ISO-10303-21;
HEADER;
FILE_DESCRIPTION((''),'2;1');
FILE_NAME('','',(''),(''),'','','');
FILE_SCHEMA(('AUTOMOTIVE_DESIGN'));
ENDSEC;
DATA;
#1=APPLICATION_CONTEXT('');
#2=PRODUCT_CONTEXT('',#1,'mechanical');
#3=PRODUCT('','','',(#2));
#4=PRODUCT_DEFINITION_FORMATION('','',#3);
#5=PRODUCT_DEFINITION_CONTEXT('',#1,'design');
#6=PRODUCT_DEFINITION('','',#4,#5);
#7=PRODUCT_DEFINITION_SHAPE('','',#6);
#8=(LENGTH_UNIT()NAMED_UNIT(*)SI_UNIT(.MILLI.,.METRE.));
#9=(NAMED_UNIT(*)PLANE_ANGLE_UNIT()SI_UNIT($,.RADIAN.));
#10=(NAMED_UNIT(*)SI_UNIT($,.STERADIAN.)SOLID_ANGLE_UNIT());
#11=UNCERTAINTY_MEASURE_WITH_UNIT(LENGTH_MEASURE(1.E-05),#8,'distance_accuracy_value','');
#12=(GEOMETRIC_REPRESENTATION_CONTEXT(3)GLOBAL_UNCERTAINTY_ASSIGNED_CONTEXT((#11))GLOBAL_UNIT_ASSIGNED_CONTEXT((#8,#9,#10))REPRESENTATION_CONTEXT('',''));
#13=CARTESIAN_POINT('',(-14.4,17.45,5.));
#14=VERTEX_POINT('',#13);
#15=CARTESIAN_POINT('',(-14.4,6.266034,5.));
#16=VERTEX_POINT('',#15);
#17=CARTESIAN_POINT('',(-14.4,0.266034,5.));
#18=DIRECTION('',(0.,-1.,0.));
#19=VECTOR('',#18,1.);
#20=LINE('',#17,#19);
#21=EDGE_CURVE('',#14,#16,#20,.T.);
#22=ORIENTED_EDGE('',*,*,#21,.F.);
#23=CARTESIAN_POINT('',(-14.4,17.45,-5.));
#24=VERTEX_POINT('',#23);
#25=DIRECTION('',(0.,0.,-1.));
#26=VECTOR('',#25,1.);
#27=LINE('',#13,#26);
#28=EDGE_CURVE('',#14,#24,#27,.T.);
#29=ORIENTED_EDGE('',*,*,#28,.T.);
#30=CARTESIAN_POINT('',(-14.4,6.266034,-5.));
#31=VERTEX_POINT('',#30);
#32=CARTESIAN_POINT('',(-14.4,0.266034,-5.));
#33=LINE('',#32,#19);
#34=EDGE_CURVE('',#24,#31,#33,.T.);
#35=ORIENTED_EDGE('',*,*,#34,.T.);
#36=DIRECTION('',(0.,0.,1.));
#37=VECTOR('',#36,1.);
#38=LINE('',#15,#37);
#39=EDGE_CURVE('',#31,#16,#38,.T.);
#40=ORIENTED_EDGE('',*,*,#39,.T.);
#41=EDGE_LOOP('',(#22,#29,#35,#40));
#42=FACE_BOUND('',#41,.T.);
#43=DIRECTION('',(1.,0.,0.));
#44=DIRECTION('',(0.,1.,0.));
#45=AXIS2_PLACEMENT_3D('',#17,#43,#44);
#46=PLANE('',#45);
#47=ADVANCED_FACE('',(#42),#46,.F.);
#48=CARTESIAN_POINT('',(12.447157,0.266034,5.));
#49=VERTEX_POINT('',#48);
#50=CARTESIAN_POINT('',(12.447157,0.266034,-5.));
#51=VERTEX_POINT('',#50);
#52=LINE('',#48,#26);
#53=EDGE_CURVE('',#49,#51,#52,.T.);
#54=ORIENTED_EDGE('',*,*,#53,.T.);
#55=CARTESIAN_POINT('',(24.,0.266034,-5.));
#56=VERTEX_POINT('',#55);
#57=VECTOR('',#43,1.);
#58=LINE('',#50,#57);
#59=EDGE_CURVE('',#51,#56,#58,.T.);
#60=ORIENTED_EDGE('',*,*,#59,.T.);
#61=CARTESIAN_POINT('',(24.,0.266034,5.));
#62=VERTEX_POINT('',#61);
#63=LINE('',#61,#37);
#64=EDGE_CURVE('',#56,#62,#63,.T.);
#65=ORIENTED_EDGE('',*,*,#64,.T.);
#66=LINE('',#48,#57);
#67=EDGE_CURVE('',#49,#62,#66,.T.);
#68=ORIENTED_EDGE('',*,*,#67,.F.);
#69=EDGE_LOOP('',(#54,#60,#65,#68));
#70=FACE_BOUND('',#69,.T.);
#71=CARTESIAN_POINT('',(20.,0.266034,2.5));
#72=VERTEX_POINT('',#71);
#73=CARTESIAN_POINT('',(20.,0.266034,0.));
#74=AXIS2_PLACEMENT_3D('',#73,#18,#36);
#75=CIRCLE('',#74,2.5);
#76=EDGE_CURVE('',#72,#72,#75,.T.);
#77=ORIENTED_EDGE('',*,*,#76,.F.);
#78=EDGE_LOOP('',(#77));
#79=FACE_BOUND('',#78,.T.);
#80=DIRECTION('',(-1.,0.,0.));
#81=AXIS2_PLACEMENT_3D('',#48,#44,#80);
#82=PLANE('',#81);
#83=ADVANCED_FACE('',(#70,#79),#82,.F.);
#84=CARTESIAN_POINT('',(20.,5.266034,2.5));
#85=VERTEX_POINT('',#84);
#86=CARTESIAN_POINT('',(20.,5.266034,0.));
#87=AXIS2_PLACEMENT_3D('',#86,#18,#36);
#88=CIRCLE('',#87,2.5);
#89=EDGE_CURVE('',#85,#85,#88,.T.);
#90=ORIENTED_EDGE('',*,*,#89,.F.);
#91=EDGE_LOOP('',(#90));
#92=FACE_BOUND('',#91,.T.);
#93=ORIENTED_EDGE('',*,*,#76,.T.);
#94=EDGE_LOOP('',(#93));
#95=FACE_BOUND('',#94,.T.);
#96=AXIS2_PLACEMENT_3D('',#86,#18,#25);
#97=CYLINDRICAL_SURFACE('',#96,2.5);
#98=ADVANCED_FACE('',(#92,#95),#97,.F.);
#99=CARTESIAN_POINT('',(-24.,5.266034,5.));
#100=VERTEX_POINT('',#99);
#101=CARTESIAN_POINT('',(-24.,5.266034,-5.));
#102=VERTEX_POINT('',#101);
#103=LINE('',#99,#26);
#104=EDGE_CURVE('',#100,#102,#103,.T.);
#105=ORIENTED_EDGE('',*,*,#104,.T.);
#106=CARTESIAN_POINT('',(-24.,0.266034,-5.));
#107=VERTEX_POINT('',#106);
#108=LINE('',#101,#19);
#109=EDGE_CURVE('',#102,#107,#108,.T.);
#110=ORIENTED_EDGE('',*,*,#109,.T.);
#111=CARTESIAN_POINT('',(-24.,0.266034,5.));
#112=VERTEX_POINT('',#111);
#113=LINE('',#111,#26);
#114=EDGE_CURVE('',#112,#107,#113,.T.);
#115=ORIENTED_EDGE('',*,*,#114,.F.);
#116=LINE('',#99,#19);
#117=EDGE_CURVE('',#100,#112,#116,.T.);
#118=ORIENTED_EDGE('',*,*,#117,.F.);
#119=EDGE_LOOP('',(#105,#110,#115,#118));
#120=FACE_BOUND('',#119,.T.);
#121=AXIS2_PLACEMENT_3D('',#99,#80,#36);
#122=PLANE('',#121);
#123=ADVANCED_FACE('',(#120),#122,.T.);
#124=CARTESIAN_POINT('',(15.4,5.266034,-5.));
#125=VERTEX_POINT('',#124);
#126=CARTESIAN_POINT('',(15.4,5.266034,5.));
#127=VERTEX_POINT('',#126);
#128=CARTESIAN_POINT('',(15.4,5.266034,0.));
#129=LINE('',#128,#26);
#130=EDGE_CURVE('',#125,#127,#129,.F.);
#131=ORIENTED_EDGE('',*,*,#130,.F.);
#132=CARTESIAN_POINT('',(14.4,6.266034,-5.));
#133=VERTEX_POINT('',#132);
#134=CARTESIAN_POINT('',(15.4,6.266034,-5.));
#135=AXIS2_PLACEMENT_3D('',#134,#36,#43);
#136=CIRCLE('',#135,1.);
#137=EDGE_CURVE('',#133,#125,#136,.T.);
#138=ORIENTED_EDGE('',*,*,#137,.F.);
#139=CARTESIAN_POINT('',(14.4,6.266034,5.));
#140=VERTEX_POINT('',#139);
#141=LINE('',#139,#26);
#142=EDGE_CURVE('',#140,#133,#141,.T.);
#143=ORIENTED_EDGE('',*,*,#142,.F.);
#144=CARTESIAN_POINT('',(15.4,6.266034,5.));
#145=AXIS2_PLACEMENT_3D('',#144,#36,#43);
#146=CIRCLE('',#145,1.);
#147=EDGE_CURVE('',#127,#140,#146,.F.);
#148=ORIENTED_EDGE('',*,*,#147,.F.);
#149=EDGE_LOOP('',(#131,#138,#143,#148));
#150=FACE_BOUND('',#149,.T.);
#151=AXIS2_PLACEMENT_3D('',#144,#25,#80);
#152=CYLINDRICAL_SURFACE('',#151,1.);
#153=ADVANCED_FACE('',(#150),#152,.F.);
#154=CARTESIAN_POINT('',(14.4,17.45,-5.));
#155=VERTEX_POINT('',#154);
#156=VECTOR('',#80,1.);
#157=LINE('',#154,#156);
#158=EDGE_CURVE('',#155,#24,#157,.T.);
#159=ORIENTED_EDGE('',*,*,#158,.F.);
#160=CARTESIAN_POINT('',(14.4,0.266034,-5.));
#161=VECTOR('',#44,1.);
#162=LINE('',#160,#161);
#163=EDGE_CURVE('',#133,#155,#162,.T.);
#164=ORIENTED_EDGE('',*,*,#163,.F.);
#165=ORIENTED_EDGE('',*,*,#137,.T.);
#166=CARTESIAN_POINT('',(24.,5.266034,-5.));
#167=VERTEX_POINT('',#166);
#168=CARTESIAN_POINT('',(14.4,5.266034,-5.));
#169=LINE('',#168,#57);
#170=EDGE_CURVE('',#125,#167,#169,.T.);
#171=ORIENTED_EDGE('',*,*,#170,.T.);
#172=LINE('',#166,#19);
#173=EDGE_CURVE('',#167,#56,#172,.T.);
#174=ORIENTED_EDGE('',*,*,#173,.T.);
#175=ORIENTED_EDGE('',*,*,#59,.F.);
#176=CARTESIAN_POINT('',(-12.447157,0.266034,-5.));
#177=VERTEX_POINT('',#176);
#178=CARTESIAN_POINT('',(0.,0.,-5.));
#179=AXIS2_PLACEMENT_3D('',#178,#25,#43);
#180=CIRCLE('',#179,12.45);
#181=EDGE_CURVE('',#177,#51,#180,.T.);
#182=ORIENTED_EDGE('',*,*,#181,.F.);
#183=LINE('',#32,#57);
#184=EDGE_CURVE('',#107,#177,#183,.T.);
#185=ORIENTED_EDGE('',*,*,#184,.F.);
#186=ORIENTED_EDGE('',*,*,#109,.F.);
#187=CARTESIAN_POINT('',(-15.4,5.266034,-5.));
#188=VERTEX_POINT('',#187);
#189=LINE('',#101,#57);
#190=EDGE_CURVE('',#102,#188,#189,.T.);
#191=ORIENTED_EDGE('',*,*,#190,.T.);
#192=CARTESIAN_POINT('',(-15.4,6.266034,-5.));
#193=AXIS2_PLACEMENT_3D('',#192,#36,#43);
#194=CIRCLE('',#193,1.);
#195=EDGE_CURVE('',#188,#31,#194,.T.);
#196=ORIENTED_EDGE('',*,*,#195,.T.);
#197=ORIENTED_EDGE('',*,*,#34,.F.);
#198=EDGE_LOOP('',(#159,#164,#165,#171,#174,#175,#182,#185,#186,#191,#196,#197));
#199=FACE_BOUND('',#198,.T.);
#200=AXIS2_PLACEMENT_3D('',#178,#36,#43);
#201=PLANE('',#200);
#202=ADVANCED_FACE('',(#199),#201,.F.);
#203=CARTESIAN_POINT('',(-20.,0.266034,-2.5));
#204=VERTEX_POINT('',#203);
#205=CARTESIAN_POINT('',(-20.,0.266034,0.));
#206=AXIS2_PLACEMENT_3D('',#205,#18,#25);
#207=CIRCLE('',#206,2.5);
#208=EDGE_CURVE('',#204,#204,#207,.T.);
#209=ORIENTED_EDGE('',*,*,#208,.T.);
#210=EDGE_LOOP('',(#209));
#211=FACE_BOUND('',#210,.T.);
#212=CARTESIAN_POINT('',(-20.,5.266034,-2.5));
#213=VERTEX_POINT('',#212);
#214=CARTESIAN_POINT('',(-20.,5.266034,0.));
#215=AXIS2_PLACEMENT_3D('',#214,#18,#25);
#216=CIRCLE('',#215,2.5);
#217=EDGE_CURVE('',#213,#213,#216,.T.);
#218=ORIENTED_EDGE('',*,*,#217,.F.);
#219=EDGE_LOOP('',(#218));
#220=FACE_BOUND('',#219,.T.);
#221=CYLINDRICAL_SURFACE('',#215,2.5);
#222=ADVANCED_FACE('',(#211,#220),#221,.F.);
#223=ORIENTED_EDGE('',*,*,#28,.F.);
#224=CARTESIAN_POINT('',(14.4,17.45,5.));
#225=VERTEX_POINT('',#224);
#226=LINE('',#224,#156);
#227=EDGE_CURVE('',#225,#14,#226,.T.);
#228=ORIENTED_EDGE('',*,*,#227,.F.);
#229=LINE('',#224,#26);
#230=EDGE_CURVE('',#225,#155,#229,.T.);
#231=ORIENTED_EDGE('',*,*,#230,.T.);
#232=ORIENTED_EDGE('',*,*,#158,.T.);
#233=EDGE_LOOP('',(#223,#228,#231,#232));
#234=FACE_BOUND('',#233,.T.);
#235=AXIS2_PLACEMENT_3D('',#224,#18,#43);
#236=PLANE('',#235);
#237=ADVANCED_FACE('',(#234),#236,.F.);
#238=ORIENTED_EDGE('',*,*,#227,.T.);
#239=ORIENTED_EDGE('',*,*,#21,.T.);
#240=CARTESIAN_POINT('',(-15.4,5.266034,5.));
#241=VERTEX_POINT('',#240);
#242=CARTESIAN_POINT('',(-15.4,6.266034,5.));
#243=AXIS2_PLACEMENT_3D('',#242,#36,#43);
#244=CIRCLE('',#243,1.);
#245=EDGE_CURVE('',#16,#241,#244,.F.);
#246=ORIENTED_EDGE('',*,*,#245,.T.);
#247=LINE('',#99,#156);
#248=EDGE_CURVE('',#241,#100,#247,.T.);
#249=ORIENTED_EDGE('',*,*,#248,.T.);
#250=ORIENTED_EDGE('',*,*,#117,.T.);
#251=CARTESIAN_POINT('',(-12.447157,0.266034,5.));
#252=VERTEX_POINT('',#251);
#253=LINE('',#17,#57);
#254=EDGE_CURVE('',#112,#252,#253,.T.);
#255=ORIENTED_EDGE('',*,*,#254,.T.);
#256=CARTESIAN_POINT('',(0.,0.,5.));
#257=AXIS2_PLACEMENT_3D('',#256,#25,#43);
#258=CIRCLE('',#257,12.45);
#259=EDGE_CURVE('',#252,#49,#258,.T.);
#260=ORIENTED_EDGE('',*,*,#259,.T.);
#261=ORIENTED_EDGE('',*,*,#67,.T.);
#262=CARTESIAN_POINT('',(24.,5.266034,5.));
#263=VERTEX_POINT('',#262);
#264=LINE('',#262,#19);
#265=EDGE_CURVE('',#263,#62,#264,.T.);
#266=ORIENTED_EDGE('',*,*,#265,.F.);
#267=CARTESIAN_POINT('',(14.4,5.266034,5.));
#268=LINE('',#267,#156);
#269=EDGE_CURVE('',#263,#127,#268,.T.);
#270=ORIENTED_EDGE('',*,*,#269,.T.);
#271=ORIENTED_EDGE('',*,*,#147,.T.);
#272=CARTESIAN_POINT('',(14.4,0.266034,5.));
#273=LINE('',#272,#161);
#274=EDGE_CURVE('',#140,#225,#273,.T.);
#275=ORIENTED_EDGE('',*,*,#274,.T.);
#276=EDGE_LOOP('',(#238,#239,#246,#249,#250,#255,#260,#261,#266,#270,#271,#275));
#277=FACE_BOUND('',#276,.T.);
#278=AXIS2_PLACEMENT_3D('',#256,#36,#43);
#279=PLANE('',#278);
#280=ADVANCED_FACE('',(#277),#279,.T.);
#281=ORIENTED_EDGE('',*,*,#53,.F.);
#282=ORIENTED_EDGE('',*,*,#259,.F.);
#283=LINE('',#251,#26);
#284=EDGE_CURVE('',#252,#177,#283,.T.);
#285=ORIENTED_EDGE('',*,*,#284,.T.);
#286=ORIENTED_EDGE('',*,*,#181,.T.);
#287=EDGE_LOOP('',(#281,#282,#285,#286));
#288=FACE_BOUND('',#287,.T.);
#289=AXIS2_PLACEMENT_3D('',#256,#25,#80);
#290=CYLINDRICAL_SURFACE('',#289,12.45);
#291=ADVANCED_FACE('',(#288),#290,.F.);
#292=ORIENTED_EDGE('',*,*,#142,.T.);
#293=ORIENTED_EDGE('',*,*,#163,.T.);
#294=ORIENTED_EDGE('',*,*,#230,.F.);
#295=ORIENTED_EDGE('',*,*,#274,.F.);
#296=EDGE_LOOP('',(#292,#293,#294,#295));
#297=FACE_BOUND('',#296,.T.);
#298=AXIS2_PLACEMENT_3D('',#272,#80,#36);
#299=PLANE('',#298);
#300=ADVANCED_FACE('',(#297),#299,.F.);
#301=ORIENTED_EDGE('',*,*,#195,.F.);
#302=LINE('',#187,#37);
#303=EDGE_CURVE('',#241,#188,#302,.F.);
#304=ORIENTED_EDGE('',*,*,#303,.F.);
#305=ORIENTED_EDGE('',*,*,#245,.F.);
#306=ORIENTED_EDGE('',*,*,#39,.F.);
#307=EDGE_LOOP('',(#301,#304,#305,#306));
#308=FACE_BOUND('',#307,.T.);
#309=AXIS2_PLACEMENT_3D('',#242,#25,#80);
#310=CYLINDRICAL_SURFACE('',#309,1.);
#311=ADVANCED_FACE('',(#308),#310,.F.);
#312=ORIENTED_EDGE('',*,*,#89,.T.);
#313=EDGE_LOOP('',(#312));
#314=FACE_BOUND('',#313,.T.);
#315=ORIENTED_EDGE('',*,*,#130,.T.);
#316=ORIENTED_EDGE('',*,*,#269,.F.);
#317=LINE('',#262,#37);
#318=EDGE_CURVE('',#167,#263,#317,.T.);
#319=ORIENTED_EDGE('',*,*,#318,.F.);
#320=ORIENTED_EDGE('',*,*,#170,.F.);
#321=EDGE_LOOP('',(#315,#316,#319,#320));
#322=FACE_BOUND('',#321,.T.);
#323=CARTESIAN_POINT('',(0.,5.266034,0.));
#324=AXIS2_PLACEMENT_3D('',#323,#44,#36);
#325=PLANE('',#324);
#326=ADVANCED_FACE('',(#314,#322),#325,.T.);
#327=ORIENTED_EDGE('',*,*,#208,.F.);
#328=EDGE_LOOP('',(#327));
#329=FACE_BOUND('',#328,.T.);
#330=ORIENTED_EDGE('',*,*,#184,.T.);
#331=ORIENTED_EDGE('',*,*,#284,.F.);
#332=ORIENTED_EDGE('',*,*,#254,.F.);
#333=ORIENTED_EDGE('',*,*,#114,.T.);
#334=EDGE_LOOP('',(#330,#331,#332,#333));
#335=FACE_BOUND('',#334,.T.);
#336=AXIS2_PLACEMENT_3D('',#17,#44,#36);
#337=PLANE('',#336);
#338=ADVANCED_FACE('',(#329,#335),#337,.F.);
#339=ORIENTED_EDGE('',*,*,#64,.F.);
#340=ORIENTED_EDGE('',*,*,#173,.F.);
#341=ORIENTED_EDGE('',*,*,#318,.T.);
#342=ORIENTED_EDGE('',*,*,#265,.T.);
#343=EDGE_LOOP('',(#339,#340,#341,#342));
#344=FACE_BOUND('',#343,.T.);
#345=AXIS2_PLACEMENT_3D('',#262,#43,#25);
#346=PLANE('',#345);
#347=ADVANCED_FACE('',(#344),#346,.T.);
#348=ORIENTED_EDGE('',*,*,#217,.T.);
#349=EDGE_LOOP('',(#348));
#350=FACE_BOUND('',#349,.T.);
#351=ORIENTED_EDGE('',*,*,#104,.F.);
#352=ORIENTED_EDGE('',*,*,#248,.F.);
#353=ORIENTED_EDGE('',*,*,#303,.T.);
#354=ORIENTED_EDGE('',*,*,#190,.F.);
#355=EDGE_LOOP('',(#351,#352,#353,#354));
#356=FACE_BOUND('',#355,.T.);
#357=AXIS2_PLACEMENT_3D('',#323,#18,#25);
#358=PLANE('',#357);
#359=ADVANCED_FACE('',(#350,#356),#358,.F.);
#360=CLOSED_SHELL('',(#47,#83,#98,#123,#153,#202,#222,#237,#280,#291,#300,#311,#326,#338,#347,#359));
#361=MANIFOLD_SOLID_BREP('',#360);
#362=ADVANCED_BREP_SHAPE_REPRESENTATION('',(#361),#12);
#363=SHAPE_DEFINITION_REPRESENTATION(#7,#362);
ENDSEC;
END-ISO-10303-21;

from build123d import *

# Parameters (mm, degrees)
EXTRUDE_1_DEPTH = 5
SKETCH_3_W      = 9.6
SKETCH_3_H      = 10
SKETCH_3_R      = 2.5
EXTRUDE_2_DEPTH = 5
FILLET_1_R      = 1


with BuildPart() as part:
    # 草图1 → 凸台-拉伸1 (new, symmetric)
    with BuildSketch(Plane.XY):
        with BuildLine():
            Line((12.447157347, 0.266033793), (14.4, 0.266033793))
            Line((14.4, 0.266033793), (14.4, 17.45))
            Line((14.4, 17.45), (-14.4, 17.45))
            Line((-14.4, 17.45), (-14.4, 0.266033793))
            Line((-14.4, 0.266033793), (-12.447157347, 0.266033793))
            ThreePointArc((-12.447157347, 0.266033793), (0, 12.45), (12.447157347, 0.266033793))
        make_face()
    extrude(amount=EXTRUDE_1_DEPTH, both=True)

    # 草图3 → 凸台-拉伸2 (add)
    # profile 1 of 2: a face of its own
    with BuildSketch(Plane.XZ.offset(-0.266033793)):
        with Locations((19.2, 0)):
            Rectangle(SKETCH_3_W, SKETCH_3_H)
        with Locations(Location((20, 0, 0), (0, 0, 90))):
            Circle(SKETCH_3_R, mode=Mode.SUBTRACT)
    # profile 2 of 2: a face of its own
    with BuildSketch(Plane.XZ.offset(-0.266033793)):
        with Locations((-19.2, 0)):
            Rectangle(SKETCH_3_W, SKETCH_3_H)
        with Locations(Location((-20, 0, 0), (0, 0, 270))):
            Circle(SKETCH_3_R, mode=Mode.SUBTRACT)
    extrude(amount=-EXTRUDE_2_DEPTH)

    # 圆角1
    fillet_1_edges = [part.edges().sort_by_distance(p)[0] for p in [
        (14.4, 5.266033793, 0),
        (-14.4, 5.266033793, 0),
    ]]
    fillet(fillet_1_edges, radius=FILLET_1_R)


solid = part.part
